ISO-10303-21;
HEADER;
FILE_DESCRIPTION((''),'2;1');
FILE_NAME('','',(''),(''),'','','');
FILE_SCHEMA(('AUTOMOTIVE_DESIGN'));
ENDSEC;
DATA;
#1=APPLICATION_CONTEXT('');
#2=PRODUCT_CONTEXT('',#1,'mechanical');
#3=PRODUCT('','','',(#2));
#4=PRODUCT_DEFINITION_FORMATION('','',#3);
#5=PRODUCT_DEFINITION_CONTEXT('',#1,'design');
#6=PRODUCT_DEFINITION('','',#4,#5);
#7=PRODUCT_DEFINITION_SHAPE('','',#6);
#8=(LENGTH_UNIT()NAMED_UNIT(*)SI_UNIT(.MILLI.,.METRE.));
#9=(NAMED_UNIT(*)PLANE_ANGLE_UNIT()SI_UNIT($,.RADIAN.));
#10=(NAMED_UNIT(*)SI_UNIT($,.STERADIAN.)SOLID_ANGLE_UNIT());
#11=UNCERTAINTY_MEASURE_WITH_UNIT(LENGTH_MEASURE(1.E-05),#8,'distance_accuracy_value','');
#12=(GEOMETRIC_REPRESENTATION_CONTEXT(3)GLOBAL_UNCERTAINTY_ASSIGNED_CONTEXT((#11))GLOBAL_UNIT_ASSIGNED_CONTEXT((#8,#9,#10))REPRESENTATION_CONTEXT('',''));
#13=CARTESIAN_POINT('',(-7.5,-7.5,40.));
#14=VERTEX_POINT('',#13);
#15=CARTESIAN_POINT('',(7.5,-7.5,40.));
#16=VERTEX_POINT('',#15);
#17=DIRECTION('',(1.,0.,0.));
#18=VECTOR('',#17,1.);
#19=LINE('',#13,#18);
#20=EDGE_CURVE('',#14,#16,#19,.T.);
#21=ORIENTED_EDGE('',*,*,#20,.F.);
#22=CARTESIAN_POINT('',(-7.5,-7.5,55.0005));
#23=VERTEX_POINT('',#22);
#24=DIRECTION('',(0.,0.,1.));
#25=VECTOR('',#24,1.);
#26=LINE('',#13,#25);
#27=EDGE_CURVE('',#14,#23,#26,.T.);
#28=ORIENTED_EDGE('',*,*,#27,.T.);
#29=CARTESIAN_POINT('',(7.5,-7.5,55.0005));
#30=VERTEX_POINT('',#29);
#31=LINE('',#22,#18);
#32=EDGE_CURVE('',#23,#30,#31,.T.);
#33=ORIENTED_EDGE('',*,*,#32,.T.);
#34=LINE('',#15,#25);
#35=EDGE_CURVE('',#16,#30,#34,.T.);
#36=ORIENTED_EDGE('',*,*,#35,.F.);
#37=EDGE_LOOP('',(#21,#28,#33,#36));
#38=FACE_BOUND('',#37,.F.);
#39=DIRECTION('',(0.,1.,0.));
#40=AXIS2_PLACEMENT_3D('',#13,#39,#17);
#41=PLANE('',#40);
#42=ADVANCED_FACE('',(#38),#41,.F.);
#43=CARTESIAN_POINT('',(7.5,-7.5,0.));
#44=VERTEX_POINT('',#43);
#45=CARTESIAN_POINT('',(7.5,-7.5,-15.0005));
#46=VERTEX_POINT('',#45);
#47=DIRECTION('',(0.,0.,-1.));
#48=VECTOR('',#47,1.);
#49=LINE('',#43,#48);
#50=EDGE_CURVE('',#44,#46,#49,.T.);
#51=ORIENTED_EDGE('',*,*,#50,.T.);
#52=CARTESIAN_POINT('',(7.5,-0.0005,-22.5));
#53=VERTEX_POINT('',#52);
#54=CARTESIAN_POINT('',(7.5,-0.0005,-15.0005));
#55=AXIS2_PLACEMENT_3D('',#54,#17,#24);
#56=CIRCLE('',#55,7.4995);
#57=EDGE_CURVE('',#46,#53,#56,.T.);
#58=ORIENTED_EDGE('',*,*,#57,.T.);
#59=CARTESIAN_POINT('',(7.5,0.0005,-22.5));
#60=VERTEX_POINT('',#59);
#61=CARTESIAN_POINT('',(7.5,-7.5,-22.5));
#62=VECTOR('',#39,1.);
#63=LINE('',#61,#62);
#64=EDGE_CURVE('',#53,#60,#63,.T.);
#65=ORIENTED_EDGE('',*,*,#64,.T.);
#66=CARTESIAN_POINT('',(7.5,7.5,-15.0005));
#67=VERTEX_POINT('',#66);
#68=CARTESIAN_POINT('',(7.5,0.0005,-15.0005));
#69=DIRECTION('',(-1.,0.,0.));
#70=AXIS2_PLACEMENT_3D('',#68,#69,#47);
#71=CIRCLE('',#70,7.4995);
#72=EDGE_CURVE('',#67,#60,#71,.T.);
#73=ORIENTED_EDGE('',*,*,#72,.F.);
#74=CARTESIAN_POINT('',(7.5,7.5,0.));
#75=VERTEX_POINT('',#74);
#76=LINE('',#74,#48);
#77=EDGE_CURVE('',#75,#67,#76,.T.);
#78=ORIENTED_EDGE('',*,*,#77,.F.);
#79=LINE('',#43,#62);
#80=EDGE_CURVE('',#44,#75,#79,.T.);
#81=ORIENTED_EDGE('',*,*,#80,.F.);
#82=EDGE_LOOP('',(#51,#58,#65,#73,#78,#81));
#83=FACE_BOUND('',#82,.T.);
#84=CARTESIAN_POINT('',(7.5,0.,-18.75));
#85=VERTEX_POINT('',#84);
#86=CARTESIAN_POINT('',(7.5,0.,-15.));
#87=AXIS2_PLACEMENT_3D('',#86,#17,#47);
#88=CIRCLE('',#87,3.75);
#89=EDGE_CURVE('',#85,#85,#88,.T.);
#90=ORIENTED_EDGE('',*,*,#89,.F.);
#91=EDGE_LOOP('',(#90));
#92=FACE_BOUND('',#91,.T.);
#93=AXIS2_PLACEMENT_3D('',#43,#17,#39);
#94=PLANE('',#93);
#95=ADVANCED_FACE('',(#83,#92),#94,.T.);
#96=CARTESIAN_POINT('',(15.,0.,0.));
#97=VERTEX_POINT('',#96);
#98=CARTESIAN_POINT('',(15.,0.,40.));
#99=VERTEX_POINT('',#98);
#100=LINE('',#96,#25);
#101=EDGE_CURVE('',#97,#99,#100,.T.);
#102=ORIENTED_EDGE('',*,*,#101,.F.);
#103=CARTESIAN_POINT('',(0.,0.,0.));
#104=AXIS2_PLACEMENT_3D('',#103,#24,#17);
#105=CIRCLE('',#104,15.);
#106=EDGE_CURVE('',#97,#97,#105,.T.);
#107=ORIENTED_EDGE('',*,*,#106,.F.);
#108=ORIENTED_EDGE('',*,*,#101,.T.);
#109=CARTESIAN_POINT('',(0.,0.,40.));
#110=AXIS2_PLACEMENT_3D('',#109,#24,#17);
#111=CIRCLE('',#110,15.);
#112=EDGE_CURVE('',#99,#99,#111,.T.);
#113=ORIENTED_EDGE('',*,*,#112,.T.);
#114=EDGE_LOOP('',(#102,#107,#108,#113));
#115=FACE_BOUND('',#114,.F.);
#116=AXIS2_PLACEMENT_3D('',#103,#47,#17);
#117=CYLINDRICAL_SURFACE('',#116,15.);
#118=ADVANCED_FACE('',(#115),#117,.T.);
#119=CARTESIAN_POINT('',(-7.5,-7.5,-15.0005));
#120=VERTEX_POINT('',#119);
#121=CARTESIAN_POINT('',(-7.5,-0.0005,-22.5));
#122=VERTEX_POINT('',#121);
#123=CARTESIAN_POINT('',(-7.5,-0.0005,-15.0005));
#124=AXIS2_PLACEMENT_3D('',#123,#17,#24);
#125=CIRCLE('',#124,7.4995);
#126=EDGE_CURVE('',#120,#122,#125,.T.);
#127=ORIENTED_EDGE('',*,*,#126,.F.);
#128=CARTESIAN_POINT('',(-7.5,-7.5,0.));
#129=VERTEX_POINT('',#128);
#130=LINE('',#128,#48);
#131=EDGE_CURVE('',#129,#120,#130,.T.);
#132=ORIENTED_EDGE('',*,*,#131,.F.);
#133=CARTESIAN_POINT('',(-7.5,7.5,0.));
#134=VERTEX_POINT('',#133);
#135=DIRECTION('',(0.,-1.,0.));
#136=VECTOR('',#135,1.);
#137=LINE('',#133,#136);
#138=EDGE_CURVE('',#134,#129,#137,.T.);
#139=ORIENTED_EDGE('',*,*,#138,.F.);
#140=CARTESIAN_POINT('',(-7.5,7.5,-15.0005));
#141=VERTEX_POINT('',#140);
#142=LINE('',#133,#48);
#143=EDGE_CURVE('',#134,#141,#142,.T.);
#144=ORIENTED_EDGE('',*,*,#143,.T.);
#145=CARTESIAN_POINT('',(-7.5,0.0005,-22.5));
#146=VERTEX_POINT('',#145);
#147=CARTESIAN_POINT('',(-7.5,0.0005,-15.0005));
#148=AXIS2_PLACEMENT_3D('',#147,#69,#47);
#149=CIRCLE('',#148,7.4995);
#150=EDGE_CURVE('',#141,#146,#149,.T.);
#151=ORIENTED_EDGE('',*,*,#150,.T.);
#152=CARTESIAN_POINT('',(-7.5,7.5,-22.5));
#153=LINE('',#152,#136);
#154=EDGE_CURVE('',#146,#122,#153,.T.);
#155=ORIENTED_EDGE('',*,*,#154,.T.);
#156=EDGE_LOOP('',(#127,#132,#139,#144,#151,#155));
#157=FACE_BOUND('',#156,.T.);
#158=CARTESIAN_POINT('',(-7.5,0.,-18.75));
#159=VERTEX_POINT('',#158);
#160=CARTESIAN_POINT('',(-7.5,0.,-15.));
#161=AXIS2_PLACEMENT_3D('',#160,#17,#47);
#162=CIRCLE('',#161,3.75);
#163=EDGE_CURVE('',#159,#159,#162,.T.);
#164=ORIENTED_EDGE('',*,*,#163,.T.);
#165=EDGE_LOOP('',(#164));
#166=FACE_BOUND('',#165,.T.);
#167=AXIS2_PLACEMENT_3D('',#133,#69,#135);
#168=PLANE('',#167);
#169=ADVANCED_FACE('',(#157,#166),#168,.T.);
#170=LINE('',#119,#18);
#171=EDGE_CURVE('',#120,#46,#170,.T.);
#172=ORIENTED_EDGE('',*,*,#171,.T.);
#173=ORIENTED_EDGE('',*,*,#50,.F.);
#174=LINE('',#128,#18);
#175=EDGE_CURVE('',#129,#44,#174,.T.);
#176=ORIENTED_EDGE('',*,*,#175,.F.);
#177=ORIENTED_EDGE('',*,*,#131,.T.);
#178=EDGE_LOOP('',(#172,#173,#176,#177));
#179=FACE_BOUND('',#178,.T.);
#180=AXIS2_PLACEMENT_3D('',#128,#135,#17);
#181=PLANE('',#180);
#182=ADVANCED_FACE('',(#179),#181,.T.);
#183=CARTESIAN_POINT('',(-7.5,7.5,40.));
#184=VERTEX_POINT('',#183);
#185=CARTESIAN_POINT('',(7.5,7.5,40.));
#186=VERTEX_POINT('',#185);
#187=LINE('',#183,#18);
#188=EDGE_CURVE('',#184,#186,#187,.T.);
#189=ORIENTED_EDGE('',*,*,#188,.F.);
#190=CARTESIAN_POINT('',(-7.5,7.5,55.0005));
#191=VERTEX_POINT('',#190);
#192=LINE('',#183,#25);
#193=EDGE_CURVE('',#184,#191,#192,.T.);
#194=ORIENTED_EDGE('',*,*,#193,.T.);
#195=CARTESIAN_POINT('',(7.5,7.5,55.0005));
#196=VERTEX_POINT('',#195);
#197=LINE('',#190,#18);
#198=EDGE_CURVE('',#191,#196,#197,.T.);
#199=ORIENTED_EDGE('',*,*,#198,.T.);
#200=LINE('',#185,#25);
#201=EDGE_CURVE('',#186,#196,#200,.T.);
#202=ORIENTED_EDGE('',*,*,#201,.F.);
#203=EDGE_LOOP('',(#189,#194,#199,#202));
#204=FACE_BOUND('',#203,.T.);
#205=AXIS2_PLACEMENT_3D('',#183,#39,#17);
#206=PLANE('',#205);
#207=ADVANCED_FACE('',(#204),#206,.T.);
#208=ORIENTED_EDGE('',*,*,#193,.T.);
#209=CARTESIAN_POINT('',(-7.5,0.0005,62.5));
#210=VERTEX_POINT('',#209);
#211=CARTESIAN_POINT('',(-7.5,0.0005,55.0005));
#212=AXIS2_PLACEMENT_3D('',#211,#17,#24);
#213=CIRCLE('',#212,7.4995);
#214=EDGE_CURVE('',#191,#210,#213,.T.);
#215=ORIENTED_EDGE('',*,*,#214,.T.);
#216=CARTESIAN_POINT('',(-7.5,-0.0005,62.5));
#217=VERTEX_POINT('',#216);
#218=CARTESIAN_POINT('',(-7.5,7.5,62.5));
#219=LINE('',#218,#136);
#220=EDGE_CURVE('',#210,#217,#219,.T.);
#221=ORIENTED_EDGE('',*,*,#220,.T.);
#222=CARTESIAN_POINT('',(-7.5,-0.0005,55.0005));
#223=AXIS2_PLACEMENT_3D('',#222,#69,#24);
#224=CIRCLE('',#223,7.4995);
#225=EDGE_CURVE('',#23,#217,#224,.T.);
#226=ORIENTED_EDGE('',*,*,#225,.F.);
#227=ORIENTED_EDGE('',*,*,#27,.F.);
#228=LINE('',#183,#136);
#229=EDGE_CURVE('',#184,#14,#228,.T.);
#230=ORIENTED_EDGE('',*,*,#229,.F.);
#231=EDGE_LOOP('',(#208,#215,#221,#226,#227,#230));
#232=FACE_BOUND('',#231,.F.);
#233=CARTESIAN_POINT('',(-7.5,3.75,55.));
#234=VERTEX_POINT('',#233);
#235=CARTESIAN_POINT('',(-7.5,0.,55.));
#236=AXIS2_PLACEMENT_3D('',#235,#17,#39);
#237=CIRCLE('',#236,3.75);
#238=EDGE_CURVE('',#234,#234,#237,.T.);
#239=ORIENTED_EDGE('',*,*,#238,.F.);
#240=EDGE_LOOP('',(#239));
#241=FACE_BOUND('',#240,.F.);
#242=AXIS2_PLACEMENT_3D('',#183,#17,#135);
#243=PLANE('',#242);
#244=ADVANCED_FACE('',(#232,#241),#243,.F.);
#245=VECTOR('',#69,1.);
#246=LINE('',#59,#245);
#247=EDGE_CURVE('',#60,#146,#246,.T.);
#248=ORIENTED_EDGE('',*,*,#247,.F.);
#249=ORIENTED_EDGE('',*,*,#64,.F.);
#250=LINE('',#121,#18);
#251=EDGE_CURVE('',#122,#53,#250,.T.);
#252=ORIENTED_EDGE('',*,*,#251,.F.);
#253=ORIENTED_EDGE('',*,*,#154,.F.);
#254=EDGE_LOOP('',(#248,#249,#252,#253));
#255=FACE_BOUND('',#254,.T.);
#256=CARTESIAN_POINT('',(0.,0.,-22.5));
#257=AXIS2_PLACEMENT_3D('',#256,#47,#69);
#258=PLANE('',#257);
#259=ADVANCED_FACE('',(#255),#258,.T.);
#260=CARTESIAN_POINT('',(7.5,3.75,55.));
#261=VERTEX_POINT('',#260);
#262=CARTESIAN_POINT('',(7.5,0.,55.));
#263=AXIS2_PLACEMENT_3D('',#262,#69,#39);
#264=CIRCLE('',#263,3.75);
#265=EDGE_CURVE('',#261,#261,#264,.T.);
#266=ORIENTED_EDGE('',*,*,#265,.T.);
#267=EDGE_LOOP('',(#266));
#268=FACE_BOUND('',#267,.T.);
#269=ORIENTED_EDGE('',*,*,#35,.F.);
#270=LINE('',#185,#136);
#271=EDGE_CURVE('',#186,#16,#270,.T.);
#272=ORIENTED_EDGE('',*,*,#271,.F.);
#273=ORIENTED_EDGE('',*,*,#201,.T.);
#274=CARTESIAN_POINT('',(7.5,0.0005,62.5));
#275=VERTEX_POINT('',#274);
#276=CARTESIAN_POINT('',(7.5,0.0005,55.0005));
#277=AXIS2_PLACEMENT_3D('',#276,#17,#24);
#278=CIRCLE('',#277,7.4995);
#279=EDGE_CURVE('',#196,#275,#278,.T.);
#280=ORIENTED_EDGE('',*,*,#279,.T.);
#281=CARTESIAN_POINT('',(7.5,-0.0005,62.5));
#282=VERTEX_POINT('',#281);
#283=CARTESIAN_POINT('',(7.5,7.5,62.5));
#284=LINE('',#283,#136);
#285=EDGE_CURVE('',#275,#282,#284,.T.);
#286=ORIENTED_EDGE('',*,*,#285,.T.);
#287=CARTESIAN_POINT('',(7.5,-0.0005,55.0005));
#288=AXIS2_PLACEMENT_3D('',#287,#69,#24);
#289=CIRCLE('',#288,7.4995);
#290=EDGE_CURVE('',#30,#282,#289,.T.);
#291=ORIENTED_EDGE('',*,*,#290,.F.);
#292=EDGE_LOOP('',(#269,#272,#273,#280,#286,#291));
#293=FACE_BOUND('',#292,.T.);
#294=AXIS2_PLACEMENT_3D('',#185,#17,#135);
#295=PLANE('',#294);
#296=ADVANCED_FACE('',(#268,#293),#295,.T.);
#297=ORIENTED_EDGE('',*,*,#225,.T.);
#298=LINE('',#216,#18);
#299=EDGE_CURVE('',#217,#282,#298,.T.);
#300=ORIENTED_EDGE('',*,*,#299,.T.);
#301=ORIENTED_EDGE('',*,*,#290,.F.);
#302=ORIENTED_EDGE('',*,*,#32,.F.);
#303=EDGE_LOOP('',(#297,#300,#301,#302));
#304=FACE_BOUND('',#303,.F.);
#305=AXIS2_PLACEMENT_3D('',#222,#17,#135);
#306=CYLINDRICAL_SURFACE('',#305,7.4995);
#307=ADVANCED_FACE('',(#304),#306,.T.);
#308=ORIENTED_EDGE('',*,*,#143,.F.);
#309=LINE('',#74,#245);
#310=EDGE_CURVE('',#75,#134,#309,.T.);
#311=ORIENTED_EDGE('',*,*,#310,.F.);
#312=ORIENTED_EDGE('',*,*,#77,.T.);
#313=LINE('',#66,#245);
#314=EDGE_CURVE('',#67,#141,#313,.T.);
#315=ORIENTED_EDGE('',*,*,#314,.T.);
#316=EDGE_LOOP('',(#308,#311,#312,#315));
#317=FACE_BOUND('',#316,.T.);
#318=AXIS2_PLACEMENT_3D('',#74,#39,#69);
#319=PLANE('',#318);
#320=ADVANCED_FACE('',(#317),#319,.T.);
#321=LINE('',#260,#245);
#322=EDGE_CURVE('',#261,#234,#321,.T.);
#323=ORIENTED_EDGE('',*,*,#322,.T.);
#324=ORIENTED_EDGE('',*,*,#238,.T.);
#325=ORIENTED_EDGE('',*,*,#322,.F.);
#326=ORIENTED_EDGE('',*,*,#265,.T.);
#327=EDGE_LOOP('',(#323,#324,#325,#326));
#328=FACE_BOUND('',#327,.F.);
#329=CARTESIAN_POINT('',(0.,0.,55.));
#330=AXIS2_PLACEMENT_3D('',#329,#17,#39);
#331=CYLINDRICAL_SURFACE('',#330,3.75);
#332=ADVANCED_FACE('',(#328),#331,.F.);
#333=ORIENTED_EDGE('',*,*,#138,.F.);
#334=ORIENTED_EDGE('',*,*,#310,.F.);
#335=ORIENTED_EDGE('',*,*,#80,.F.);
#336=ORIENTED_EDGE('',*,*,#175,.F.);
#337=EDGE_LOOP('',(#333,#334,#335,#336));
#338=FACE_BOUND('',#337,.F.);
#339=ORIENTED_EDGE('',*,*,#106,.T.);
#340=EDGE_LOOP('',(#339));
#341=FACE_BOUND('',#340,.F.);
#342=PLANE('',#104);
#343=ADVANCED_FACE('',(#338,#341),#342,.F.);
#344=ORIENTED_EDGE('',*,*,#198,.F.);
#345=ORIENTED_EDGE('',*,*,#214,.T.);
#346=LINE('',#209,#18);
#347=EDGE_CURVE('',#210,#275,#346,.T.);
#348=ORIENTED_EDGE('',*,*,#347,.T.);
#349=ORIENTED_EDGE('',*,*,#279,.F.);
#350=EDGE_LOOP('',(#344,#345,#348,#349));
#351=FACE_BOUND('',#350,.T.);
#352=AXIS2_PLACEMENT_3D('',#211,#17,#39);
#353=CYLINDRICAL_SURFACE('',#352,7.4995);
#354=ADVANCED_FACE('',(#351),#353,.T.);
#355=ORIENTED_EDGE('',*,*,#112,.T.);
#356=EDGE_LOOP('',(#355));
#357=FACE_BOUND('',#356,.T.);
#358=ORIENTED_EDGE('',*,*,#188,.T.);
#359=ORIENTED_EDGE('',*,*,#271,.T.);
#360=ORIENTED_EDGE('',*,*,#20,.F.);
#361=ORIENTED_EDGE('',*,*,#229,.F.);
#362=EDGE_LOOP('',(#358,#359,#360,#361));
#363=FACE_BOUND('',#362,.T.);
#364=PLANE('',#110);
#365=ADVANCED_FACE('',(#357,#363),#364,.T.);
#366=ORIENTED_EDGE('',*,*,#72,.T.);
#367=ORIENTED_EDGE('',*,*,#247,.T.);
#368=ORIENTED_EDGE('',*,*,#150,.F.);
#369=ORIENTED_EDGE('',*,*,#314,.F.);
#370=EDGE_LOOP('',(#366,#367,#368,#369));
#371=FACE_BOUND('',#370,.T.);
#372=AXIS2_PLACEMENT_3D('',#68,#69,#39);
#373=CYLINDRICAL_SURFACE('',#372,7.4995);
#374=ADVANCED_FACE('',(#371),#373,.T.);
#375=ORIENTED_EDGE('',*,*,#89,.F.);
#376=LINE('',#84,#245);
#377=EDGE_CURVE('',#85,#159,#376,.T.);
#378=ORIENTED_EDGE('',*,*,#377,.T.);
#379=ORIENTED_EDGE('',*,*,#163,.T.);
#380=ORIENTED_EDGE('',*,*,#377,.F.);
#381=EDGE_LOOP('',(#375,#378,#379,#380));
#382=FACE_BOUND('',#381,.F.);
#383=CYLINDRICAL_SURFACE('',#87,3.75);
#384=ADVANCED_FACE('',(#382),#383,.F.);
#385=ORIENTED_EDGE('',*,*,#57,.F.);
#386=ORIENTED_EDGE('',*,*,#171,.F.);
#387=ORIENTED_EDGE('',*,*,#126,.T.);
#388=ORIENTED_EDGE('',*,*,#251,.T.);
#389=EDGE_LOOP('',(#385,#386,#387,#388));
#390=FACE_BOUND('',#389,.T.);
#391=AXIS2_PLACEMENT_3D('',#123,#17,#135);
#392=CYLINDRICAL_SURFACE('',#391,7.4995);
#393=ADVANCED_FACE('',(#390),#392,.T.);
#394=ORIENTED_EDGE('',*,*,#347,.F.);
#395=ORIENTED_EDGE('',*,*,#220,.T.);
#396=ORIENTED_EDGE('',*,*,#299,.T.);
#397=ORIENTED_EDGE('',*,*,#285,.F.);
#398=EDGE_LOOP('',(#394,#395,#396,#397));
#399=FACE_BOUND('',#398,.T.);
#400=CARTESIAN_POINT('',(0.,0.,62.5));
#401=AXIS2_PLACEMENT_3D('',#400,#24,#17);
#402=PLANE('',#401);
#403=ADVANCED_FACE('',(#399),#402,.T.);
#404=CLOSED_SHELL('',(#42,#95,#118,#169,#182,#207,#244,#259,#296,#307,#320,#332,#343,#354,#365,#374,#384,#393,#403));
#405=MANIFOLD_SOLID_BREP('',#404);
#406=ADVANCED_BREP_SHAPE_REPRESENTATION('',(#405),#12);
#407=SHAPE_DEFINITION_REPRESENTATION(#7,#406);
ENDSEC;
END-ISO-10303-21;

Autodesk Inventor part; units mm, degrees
ref_plane "YZ Plane" through (0, 0, 0) normal (1, 0, 0) x (0, 1, 0)
ref_plane "XZ Plane" through (0, 0, 0) normal (0, 1, 0) x (-1, 0, 0)
ref_plane "XY Plane" through (0, 0, 0) normal (0, 0, 1) x (1, 0, 0)
sketch "Sketch1" plane through (0, 0, 0) normal (0, 0, 1) x (1, 0, 0)
  circle A0 centre (0, 0) radius 15
  dimension "d0" = 30
extrude "Extrusion1" add sketch "Sketch1" along normal blind 40
sketch "Sketch2" plane through (0, 0, 40) normal (0, 0, 1) x (1, 0, 0)
  line L0 (7.5, 7.5) -> (7.5, -7.5)
  line L1 (-7.5, 7.5) -> (-7.5, -7.5)
  line L2 (-7.5, 7.5) -> (7.5, 7.5)
  line L3 (-7.5, -7.5) -> (7.5, -7.5)
  point P0 (0, 0)
  dimension "d3" = 7.5
  dimension "d4" = 7.5
  dimension "d5" = 7.5
  dimension "d6" = 7.5
extrude "Extrusion2" add sketch "Sketch2" along normal blind 22.5
fillet "Fillet1" radius 7.5 2 edges at (0, 7.5, 62.5) (0, -7.5, 62.5)
sketch "Sketch3" plane through (0, 0, 0) normal (1, 0, 0) x (0, 1, 0)
  line L0 (7.5, 40) -> (7.5, 55) projected
  line L1 (-7.5, 40) -> (-7.5, 55) projected
  line L2 (7.5, 55) -> (-7.5, 55) construction
  circle A0 centre (0, 55) radius 3.75
  point P0 (0, 0)
  dimension "d10" = 7.5
extrude "Extrusion3" cut sketch "Sketch3" along normal through all both and the other way through all
sketch "Sketch4" plane through (0, 0, 0) normal (0, 0, -1) x (-1, 0, 0)
  line L0 (-7.5, 7.5) -> (7.5, 7.5)
  line L1 (7.5, 7.5) -> (7.5, -7.5)
  line L2 (7.5, -7.5) -> (-7.5, -7.5)
  line L3 (-7.5, -7.5) -> (-7.5, 7.5)
  line L4 (-7.5, 7.5) -> (7.5, -7.5) construction
  line L5 (7.5, 7.5) -> (-7.5, -7.5) construction
  point P0 (0, 0)
  dimension "d13" = 15
  dimension "d14" = 15
extrude "Extrusion4" add sketch "Sketch4" along normal blind 22.5
fillet "Fillet2" radius 7.5 2 edges at (0, 7.5, -22.5) (0, -7.5, -22.5)
sketch "Sketch5" plane through (7.5, -7.5, 0) normal (1, 0, 0) x (0, 0, -1)
  line L0 (0, 15) -> (15, 15) projected
  line L1 (0, 0) -> (15, 0) projected
  line L2 (15, 15) -> (15, 0) construction
  circle A0 centre (15, 7.5) radius 3.75
  point P0 (0, 7.5)
  dimension "d18" = 7.5
extrude "Extrusion5" cut sketch "Sketch5" against normal through all
properties part number "Neck"
